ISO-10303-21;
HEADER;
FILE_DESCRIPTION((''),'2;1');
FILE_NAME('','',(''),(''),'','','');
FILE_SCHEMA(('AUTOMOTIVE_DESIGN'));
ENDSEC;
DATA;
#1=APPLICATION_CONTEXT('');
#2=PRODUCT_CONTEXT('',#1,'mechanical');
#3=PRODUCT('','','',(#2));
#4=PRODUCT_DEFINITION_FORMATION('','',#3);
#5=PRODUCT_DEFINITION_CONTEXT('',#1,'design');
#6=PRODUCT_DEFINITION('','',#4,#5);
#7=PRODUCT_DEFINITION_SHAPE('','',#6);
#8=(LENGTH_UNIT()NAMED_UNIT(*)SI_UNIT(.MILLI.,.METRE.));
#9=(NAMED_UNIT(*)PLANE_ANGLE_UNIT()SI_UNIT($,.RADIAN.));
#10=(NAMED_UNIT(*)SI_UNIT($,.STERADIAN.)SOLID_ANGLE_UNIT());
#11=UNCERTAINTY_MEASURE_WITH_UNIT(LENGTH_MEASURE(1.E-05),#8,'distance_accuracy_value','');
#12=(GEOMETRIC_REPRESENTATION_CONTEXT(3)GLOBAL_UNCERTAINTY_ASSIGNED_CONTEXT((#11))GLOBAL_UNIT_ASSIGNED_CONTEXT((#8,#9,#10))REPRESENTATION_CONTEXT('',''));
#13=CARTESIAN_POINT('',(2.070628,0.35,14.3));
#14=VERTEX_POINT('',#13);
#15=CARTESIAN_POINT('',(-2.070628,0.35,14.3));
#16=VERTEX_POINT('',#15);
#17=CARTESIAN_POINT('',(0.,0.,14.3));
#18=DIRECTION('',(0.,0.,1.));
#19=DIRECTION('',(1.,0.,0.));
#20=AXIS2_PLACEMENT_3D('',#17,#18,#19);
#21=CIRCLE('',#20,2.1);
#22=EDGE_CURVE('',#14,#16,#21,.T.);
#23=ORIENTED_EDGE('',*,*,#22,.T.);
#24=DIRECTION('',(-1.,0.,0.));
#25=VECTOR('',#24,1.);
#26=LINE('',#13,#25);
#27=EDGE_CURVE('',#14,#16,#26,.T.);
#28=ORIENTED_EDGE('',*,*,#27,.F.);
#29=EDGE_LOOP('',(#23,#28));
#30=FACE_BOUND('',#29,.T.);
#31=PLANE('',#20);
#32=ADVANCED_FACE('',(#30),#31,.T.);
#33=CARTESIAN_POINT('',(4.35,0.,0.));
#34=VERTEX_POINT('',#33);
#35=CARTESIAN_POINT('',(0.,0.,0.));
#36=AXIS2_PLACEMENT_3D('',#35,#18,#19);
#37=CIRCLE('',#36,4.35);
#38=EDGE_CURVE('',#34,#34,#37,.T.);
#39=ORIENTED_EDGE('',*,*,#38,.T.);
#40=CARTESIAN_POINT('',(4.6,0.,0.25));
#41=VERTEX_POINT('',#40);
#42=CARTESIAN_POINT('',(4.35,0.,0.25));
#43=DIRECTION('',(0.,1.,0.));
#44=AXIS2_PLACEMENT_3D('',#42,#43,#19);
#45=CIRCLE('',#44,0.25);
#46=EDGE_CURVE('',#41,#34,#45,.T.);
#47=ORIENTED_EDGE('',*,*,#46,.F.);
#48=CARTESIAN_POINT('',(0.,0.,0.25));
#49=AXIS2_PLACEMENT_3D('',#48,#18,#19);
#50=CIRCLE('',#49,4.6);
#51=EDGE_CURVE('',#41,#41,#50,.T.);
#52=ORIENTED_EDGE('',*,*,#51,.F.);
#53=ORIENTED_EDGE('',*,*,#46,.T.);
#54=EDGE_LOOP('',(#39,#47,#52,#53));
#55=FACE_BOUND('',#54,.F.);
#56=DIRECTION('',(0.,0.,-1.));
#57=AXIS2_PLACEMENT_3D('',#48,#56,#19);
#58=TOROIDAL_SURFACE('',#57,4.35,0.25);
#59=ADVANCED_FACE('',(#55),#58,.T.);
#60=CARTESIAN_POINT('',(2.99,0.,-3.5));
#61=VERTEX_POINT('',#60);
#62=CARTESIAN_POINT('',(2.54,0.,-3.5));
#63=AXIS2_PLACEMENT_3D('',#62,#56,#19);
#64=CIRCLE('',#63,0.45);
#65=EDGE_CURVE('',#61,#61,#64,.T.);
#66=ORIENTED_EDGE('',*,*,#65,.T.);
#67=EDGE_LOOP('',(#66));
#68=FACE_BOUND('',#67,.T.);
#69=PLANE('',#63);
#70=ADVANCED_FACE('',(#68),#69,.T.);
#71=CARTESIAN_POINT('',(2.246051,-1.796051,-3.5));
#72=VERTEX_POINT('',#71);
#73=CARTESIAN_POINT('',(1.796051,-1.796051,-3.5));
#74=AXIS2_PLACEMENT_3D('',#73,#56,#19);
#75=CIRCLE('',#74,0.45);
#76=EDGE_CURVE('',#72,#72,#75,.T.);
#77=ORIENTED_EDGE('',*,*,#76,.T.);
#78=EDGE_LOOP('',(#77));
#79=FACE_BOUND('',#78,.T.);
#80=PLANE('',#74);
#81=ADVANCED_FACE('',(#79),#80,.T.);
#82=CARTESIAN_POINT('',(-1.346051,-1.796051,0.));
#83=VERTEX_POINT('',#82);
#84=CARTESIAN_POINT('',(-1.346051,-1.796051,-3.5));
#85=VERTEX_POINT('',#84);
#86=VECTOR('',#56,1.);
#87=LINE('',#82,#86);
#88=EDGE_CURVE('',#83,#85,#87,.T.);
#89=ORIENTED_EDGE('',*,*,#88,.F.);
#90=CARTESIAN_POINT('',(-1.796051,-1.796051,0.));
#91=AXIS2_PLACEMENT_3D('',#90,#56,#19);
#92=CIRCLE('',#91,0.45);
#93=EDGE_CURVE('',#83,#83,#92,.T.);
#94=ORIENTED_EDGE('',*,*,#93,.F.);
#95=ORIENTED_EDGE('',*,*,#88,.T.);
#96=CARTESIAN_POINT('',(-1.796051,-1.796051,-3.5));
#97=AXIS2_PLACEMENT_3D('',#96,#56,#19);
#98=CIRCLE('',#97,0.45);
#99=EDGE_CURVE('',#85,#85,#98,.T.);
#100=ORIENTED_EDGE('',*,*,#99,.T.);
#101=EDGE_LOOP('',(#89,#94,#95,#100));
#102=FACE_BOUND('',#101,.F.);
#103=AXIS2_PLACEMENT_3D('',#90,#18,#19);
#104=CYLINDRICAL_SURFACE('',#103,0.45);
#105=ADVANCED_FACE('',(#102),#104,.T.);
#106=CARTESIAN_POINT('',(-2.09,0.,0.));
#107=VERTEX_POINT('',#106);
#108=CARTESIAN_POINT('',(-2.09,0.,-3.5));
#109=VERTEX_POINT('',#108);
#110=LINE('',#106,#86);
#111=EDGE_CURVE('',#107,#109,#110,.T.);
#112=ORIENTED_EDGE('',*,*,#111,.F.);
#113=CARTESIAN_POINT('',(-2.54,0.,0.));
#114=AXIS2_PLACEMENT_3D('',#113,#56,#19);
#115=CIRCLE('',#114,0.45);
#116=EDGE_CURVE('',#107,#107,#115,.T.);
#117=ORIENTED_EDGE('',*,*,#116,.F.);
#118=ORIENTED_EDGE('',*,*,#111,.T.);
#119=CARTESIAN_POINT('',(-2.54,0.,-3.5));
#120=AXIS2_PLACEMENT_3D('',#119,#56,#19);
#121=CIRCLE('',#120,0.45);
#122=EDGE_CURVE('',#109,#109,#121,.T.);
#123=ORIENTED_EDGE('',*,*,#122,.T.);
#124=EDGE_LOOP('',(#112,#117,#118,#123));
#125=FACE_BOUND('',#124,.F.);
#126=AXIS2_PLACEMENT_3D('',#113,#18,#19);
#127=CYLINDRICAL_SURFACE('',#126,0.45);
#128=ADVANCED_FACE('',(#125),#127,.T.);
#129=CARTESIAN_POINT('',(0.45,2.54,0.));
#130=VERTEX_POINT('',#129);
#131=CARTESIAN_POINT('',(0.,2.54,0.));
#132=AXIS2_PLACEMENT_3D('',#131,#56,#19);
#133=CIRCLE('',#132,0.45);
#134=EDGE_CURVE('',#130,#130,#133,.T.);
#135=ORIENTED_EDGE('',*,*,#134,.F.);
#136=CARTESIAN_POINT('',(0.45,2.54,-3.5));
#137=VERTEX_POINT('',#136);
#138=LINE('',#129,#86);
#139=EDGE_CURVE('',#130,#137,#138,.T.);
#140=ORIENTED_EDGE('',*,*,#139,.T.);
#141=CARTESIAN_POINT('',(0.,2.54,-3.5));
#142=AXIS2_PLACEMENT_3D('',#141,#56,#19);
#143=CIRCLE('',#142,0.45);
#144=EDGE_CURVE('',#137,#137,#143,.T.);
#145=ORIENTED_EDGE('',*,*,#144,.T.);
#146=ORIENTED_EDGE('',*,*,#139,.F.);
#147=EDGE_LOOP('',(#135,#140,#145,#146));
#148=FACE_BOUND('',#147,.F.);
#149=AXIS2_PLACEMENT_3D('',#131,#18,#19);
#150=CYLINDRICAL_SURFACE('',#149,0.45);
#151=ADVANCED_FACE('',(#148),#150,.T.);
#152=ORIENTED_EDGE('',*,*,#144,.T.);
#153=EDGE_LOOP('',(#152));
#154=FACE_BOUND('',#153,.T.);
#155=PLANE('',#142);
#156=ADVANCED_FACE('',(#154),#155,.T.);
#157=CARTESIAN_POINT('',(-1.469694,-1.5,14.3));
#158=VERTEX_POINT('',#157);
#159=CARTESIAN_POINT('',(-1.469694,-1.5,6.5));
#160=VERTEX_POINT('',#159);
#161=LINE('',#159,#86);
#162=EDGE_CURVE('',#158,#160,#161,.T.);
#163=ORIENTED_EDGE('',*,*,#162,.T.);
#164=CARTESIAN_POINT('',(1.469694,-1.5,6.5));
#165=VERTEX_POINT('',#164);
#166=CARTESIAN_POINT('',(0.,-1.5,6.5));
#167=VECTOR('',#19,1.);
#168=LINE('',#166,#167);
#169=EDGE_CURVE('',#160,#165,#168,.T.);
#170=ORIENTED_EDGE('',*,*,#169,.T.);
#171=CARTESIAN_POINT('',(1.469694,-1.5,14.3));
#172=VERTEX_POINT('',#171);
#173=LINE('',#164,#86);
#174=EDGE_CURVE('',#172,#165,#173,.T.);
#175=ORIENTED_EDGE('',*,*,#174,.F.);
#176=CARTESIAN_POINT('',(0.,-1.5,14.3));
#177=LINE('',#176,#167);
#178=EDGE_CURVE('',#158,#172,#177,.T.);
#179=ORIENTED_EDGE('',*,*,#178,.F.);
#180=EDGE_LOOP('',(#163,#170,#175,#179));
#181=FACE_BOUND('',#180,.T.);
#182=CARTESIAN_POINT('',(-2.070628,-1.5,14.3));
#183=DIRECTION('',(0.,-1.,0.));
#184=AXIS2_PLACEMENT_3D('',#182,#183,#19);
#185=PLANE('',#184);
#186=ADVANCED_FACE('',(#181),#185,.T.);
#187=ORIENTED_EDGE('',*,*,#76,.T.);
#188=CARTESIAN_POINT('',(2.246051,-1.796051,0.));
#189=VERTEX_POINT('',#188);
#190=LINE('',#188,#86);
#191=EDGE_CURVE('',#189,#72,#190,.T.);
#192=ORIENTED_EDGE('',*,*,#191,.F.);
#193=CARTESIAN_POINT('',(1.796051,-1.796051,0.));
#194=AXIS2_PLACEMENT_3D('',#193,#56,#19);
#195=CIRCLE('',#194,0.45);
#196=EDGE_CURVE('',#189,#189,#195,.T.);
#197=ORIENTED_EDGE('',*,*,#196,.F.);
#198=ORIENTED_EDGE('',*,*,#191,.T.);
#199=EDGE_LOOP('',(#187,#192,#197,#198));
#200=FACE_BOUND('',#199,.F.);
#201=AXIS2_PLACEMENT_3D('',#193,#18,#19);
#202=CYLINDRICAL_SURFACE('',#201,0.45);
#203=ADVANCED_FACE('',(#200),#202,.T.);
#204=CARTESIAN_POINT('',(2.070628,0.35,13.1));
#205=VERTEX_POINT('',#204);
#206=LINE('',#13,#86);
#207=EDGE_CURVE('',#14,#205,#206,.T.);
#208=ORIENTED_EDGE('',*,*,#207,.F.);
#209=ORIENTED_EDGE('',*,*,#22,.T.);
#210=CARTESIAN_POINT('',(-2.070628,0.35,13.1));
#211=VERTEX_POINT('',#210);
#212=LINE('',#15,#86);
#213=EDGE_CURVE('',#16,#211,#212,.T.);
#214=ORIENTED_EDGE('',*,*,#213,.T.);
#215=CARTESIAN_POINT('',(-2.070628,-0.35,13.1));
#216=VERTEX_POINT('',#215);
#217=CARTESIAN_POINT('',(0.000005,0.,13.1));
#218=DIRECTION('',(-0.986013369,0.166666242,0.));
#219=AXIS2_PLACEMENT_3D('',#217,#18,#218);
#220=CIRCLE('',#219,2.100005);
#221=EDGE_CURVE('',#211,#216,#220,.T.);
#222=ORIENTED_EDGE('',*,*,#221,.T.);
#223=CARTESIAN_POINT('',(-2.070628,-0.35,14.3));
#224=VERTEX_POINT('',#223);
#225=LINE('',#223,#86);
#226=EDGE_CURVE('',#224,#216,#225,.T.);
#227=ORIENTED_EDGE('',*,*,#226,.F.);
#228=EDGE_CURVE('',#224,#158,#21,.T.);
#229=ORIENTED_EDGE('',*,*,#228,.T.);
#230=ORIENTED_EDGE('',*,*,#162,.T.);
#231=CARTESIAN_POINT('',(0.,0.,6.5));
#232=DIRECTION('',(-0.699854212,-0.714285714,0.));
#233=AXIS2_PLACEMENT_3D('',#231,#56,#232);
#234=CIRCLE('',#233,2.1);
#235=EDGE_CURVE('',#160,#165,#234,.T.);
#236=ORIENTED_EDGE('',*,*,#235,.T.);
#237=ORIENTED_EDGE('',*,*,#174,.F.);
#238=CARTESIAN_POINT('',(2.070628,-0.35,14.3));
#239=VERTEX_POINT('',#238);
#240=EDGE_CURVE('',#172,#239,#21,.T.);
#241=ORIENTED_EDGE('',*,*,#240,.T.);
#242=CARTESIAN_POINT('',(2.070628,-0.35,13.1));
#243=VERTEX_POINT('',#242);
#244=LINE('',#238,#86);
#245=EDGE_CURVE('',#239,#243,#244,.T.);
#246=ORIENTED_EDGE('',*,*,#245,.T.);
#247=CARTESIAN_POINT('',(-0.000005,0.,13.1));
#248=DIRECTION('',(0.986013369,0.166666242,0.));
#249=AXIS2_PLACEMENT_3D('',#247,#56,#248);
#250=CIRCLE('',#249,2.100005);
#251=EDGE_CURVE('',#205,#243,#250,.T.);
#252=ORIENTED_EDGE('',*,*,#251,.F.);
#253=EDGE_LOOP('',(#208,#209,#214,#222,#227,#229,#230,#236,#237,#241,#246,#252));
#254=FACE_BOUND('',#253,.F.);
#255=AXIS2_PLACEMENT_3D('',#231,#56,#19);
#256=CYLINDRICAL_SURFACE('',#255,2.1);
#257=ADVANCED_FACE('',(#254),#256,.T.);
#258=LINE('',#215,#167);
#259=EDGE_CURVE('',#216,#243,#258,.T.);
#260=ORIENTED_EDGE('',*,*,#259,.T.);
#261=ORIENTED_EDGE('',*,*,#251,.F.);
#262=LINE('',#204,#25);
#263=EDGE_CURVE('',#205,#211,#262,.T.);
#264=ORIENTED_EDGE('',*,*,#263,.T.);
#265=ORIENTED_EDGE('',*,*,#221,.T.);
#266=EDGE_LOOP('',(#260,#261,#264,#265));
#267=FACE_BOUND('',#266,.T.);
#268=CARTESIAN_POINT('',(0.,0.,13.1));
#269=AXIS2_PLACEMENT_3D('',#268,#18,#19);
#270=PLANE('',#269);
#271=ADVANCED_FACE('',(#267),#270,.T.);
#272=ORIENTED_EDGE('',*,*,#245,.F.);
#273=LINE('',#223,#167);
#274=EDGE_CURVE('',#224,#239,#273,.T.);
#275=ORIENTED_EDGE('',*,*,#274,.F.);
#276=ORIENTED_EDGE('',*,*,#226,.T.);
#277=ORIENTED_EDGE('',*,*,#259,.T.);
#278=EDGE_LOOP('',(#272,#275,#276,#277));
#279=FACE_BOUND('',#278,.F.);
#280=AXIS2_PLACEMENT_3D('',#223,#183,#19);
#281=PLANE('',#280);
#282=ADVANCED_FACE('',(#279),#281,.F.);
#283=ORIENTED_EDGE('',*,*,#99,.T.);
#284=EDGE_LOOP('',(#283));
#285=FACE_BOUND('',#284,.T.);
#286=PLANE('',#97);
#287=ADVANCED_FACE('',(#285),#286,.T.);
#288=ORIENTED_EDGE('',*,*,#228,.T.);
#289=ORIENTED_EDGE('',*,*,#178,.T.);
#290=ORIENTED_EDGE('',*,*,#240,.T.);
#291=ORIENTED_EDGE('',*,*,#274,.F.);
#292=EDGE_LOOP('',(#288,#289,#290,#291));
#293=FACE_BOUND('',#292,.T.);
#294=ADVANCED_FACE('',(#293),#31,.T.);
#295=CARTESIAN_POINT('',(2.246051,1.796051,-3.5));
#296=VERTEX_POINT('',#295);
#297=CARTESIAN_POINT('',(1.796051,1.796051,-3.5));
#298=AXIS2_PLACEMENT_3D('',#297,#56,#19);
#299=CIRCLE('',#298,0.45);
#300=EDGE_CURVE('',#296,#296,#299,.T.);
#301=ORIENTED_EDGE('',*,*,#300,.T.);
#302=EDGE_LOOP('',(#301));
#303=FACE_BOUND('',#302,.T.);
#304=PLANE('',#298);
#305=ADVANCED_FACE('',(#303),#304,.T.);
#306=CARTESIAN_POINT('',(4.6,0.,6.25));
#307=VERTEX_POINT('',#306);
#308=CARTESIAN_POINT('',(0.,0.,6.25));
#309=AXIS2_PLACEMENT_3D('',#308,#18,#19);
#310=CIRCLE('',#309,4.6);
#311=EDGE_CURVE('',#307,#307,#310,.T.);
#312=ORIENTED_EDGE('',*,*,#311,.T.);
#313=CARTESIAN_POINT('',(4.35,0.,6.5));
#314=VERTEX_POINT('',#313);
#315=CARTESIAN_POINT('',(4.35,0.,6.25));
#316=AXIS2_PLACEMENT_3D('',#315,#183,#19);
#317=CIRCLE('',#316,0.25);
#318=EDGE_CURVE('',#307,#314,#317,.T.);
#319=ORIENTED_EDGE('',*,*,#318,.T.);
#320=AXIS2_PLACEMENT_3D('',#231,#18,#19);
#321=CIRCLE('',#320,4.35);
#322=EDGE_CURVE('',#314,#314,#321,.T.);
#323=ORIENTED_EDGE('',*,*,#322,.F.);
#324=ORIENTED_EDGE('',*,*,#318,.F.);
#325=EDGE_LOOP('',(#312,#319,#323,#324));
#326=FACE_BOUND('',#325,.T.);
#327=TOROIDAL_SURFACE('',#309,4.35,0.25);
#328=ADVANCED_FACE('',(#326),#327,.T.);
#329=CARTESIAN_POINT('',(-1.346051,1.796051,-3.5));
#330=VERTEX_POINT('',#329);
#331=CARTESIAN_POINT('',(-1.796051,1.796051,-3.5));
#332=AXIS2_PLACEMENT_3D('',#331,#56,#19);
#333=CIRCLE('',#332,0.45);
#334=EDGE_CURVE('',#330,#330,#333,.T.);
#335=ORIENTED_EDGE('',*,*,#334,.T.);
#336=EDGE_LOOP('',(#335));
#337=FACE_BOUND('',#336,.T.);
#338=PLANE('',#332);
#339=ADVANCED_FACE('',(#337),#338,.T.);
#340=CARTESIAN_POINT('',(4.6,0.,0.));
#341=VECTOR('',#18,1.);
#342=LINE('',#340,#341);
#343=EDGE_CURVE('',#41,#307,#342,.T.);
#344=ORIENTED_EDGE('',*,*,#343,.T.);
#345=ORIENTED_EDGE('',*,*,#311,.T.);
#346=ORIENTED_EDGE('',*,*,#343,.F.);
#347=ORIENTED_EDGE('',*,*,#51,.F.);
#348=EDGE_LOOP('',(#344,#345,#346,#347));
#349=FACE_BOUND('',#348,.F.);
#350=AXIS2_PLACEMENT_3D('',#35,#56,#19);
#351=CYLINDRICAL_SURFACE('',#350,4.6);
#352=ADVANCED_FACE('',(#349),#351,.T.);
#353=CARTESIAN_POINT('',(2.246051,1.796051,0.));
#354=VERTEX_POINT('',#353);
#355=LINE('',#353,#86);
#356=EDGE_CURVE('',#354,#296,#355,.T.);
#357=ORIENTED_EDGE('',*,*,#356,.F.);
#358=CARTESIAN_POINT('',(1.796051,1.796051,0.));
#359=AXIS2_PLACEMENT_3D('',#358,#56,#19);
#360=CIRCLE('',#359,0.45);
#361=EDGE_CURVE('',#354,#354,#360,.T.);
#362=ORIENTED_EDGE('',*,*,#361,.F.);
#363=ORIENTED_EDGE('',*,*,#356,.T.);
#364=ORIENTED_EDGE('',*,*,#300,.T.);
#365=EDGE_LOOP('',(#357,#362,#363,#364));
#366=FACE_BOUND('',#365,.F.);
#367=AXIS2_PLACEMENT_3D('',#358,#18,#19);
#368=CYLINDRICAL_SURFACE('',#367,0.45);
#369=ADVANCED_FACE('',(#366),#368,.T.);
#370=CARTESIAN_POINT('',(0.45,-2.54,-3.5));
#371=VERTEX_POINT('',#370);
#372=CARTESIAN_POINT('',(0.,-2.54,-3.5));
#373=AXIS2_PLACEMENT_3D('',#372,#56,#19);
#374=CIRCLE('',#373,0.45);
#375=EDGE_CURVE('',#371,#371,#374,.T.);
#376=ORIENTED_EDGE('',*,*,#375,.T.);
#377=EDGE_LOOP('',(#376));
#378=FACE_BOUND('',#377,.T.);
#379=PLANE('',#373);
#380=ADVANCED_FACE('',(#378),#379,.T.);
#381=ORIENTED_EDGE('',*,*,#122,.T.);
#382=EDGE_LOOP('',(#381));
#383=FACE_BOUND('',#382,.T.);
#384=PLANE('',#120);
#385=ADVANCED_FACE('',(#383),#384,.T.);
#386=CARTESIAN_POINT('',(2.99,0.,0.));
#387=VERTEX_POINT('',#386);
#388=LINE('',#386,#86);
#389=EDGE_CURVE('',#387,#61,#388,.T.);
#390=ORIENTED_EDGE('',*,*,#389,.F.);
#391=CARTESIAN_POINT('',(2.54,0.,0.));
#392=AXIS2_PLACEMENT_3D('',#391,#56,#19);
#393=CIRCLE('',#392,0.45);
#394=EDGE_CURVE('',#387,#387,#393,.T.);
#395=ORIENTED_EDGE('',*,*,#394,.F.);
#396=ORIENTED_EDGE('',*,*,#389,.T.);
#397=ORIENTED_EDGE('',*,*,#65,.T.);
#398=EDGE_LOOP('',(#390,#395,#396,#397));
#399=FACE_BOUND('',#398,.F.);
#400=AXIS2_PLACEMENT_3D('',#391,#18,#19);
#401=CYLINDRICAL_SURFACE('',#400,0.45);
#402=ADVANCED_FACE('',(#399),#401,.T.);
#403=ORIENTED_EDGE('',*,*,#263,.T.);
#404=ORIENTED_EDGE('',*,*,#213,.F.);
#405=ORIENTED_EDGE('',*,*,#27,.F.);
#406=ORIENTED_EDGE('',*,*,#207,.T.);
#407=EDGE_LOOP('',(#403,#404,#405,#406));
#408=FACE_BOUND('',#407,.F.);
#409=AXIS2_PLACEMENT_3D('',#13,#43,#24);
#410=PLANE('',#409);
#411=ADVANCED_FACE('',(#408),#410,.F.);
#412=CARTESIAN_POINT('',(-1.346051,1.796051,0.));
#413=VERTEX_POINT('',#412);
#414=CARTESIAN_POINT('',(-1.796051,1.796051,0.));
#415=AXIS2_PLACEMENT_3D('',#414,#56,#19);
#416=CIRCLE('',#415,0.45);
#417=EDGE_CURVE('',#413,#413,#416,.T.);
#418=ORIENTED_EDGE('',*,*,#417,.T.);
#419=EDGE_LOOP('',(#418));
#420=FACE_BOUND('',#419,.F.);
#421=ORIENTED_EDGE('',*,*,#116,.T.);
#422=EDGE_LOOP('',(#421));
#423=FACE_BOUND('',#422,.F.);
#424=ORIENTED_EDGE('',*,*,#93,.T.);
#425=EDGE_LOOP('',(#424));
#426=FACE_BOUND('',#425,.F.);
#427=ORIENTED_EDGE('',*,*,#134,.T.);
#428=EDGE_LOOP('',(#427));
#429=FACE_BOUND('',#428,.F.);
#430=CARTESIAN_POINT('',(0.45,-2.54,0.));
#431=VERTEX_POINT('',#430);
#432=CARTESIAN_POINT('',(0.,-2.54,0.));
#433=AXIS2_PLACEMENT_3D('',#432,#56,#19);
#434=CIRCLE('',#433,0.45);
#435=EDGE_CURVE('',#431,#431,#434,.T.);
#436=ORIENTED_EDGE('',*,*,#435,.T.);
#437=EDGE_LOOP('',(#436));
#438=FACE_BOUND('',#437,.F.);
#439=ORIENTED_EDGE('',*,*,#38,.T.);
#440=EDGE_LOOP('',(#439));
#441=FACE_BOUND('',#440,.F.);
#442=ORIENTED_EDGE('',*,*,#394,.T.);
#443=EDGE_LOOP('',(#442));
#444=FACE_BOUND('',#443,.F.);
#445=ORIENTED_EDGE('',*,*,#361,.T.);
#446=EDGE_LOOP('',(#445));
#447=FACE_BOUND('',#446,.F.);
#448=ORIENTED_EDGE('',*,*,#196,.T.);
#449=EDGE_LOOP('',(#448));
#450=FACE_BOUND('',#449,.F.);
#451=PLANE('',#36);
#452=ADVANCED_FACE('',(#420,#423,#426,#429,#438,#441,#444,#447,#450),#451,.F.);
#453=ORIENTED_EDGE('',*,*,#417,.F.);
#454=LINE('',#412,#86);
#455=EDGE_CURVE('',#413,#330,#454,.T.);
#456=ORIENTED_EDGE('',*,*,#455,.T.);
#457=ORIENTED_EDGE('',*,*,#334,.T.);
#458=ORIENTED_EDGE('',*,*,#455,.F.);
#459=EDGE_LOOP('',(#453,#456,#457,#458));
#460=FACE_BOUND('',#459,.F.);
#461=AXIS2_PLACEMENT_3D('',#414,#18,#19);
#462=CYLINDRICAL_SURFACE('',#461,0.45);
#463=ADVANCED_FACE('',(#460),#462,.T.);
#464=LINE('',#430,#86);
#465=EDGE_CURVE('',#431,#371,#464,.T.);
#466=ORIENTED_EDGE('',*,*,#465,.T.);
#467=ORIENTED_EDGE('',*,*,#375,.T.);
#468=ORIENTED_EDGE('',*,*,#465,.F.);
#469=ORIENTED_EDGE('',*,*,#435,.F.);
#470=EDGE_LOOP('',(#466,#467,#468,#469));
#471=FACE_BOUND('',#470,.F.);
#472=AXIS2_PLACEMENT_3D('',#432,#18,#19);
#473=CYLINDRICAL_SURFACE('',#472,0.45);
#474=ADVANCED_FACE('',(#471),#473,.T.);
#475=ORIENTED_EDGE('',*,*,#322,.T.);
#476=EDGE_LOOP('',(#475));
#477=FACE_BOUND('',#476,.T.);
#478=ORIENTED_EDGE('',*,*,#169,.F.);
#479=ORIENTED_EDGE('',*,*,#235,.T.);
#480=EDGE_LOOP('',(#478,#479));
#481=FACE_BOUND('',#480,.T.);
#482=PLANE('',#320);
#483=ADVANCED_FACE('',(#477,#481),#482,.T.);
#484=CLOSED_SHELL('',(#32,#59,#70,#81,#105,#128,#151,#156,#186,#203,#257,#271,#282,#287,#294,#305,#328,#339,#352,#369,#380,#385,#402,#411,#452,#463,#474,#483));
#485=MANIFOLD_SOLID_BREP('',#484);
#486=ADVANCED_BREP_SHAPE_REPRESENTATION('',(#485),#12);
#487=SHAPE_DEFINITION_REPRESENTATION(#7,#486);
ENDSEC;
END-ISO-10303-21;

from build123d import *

# Parameters (mm, degrees)
SKETCH_R        = 4.6
PAD_DEPTH       = 6.5
SKETCH001_R     = 0.45
PAD001_DEPTH    = 3.5
SKETCH002_R     = 2.1
PAD002_DEPTH    = 7.8
POCKET_DEPTH    = 1.2
SKETCH004_W     = 4.141256
SKETCH004_H     = 0.6
POCKET001_DEPTH = 7.8
FILLET_R        = 0.25


with BuildPart() as part:
    # Sketch → Pad (new body)
    with BuildSketch(Plane.XY):
        Circle(SKETCH_R)
    extrude(amount=PAD_DEPTH)

    # Sketch001 (on Face2 of Pad) → Pad001 (join)
    with BuildSketch(Plane(origin=(0, 0, 0), x_dir=(1, 0, 0), z_dir=(0, 0, -1))):
        with Locations((2.54, 0)):
            Circle(SKETCH001_R)
        with Locations((1.796051, 1.796051)):
            Circle(SKETCH001_R)
        with Locations((0, 2.54)):
            Circle(SKETCH001_R)
        with Locations((-1.796051, 1.796051)):
            Circle(SKETCH001_R)
        with Locations((-2.54, 0)):
            Circle(SKETCH001_R)
        with Locations((-1.796051, -1.796051)):
            Circle(SKETCH001_R)
        with Locations((0, -2.54)):
            Circle(SKETCH001_R)
        with Locations((1.796051, -1.796051)):
            Circle(SKETCH001_R)
    extrude(amount=PAD001_DEPTH)

    # Sketch002 (on Face3 of Pad001) → Pad002 (join)
    with BuildSketch(Plane.XY.offset(6.5)):
        Circle(SKETCH002_R)
    extrude(amount=PAD002_DEPTH)

    # Sketch003 (on Face21 of Pad002) → Pocket (cut)
    with BuildSketch(Plane.XY.offset(14.3)):
        with BuildLine():
            Line((-2.070628, -0.35), (2.070628, -0.35))
            ThreePointArc((2.070628, -0.35), (2.1, 0), (2.070628, 0.35))
            Line((2.070628, 0.35), (-2.070628, 0.35))
            ThreePointArc((-2.070628, 0.35), (-2.1, 0), (-2.070628, -0.35))
        make_face()
    extrude(amount=-POCKET_DEPTH, mode=Mode.SUBTRACT)

    # Sketch004 (on Face23 of Pocket) → Pocket001 (cut)
    with BuildSketch(Plane.XY.offset(14.3)):
        with Locations((0, -1.8)):
            Rectangle(SKETCH004_W, SKETCH004_H)
    extrude(amount=-POCKET001_DEPTH, mode=Mode.SUBTRACT)

    # Fillet
    fillet_edges = [part.edges().sort_by_distance(p)[0] for p in [
        (-4.6, 0, 6.5),
        (-4.6, 0, 0),
    ]]
    fillet(fillet_edges, radius=FILLET_R)


solid = part.part
